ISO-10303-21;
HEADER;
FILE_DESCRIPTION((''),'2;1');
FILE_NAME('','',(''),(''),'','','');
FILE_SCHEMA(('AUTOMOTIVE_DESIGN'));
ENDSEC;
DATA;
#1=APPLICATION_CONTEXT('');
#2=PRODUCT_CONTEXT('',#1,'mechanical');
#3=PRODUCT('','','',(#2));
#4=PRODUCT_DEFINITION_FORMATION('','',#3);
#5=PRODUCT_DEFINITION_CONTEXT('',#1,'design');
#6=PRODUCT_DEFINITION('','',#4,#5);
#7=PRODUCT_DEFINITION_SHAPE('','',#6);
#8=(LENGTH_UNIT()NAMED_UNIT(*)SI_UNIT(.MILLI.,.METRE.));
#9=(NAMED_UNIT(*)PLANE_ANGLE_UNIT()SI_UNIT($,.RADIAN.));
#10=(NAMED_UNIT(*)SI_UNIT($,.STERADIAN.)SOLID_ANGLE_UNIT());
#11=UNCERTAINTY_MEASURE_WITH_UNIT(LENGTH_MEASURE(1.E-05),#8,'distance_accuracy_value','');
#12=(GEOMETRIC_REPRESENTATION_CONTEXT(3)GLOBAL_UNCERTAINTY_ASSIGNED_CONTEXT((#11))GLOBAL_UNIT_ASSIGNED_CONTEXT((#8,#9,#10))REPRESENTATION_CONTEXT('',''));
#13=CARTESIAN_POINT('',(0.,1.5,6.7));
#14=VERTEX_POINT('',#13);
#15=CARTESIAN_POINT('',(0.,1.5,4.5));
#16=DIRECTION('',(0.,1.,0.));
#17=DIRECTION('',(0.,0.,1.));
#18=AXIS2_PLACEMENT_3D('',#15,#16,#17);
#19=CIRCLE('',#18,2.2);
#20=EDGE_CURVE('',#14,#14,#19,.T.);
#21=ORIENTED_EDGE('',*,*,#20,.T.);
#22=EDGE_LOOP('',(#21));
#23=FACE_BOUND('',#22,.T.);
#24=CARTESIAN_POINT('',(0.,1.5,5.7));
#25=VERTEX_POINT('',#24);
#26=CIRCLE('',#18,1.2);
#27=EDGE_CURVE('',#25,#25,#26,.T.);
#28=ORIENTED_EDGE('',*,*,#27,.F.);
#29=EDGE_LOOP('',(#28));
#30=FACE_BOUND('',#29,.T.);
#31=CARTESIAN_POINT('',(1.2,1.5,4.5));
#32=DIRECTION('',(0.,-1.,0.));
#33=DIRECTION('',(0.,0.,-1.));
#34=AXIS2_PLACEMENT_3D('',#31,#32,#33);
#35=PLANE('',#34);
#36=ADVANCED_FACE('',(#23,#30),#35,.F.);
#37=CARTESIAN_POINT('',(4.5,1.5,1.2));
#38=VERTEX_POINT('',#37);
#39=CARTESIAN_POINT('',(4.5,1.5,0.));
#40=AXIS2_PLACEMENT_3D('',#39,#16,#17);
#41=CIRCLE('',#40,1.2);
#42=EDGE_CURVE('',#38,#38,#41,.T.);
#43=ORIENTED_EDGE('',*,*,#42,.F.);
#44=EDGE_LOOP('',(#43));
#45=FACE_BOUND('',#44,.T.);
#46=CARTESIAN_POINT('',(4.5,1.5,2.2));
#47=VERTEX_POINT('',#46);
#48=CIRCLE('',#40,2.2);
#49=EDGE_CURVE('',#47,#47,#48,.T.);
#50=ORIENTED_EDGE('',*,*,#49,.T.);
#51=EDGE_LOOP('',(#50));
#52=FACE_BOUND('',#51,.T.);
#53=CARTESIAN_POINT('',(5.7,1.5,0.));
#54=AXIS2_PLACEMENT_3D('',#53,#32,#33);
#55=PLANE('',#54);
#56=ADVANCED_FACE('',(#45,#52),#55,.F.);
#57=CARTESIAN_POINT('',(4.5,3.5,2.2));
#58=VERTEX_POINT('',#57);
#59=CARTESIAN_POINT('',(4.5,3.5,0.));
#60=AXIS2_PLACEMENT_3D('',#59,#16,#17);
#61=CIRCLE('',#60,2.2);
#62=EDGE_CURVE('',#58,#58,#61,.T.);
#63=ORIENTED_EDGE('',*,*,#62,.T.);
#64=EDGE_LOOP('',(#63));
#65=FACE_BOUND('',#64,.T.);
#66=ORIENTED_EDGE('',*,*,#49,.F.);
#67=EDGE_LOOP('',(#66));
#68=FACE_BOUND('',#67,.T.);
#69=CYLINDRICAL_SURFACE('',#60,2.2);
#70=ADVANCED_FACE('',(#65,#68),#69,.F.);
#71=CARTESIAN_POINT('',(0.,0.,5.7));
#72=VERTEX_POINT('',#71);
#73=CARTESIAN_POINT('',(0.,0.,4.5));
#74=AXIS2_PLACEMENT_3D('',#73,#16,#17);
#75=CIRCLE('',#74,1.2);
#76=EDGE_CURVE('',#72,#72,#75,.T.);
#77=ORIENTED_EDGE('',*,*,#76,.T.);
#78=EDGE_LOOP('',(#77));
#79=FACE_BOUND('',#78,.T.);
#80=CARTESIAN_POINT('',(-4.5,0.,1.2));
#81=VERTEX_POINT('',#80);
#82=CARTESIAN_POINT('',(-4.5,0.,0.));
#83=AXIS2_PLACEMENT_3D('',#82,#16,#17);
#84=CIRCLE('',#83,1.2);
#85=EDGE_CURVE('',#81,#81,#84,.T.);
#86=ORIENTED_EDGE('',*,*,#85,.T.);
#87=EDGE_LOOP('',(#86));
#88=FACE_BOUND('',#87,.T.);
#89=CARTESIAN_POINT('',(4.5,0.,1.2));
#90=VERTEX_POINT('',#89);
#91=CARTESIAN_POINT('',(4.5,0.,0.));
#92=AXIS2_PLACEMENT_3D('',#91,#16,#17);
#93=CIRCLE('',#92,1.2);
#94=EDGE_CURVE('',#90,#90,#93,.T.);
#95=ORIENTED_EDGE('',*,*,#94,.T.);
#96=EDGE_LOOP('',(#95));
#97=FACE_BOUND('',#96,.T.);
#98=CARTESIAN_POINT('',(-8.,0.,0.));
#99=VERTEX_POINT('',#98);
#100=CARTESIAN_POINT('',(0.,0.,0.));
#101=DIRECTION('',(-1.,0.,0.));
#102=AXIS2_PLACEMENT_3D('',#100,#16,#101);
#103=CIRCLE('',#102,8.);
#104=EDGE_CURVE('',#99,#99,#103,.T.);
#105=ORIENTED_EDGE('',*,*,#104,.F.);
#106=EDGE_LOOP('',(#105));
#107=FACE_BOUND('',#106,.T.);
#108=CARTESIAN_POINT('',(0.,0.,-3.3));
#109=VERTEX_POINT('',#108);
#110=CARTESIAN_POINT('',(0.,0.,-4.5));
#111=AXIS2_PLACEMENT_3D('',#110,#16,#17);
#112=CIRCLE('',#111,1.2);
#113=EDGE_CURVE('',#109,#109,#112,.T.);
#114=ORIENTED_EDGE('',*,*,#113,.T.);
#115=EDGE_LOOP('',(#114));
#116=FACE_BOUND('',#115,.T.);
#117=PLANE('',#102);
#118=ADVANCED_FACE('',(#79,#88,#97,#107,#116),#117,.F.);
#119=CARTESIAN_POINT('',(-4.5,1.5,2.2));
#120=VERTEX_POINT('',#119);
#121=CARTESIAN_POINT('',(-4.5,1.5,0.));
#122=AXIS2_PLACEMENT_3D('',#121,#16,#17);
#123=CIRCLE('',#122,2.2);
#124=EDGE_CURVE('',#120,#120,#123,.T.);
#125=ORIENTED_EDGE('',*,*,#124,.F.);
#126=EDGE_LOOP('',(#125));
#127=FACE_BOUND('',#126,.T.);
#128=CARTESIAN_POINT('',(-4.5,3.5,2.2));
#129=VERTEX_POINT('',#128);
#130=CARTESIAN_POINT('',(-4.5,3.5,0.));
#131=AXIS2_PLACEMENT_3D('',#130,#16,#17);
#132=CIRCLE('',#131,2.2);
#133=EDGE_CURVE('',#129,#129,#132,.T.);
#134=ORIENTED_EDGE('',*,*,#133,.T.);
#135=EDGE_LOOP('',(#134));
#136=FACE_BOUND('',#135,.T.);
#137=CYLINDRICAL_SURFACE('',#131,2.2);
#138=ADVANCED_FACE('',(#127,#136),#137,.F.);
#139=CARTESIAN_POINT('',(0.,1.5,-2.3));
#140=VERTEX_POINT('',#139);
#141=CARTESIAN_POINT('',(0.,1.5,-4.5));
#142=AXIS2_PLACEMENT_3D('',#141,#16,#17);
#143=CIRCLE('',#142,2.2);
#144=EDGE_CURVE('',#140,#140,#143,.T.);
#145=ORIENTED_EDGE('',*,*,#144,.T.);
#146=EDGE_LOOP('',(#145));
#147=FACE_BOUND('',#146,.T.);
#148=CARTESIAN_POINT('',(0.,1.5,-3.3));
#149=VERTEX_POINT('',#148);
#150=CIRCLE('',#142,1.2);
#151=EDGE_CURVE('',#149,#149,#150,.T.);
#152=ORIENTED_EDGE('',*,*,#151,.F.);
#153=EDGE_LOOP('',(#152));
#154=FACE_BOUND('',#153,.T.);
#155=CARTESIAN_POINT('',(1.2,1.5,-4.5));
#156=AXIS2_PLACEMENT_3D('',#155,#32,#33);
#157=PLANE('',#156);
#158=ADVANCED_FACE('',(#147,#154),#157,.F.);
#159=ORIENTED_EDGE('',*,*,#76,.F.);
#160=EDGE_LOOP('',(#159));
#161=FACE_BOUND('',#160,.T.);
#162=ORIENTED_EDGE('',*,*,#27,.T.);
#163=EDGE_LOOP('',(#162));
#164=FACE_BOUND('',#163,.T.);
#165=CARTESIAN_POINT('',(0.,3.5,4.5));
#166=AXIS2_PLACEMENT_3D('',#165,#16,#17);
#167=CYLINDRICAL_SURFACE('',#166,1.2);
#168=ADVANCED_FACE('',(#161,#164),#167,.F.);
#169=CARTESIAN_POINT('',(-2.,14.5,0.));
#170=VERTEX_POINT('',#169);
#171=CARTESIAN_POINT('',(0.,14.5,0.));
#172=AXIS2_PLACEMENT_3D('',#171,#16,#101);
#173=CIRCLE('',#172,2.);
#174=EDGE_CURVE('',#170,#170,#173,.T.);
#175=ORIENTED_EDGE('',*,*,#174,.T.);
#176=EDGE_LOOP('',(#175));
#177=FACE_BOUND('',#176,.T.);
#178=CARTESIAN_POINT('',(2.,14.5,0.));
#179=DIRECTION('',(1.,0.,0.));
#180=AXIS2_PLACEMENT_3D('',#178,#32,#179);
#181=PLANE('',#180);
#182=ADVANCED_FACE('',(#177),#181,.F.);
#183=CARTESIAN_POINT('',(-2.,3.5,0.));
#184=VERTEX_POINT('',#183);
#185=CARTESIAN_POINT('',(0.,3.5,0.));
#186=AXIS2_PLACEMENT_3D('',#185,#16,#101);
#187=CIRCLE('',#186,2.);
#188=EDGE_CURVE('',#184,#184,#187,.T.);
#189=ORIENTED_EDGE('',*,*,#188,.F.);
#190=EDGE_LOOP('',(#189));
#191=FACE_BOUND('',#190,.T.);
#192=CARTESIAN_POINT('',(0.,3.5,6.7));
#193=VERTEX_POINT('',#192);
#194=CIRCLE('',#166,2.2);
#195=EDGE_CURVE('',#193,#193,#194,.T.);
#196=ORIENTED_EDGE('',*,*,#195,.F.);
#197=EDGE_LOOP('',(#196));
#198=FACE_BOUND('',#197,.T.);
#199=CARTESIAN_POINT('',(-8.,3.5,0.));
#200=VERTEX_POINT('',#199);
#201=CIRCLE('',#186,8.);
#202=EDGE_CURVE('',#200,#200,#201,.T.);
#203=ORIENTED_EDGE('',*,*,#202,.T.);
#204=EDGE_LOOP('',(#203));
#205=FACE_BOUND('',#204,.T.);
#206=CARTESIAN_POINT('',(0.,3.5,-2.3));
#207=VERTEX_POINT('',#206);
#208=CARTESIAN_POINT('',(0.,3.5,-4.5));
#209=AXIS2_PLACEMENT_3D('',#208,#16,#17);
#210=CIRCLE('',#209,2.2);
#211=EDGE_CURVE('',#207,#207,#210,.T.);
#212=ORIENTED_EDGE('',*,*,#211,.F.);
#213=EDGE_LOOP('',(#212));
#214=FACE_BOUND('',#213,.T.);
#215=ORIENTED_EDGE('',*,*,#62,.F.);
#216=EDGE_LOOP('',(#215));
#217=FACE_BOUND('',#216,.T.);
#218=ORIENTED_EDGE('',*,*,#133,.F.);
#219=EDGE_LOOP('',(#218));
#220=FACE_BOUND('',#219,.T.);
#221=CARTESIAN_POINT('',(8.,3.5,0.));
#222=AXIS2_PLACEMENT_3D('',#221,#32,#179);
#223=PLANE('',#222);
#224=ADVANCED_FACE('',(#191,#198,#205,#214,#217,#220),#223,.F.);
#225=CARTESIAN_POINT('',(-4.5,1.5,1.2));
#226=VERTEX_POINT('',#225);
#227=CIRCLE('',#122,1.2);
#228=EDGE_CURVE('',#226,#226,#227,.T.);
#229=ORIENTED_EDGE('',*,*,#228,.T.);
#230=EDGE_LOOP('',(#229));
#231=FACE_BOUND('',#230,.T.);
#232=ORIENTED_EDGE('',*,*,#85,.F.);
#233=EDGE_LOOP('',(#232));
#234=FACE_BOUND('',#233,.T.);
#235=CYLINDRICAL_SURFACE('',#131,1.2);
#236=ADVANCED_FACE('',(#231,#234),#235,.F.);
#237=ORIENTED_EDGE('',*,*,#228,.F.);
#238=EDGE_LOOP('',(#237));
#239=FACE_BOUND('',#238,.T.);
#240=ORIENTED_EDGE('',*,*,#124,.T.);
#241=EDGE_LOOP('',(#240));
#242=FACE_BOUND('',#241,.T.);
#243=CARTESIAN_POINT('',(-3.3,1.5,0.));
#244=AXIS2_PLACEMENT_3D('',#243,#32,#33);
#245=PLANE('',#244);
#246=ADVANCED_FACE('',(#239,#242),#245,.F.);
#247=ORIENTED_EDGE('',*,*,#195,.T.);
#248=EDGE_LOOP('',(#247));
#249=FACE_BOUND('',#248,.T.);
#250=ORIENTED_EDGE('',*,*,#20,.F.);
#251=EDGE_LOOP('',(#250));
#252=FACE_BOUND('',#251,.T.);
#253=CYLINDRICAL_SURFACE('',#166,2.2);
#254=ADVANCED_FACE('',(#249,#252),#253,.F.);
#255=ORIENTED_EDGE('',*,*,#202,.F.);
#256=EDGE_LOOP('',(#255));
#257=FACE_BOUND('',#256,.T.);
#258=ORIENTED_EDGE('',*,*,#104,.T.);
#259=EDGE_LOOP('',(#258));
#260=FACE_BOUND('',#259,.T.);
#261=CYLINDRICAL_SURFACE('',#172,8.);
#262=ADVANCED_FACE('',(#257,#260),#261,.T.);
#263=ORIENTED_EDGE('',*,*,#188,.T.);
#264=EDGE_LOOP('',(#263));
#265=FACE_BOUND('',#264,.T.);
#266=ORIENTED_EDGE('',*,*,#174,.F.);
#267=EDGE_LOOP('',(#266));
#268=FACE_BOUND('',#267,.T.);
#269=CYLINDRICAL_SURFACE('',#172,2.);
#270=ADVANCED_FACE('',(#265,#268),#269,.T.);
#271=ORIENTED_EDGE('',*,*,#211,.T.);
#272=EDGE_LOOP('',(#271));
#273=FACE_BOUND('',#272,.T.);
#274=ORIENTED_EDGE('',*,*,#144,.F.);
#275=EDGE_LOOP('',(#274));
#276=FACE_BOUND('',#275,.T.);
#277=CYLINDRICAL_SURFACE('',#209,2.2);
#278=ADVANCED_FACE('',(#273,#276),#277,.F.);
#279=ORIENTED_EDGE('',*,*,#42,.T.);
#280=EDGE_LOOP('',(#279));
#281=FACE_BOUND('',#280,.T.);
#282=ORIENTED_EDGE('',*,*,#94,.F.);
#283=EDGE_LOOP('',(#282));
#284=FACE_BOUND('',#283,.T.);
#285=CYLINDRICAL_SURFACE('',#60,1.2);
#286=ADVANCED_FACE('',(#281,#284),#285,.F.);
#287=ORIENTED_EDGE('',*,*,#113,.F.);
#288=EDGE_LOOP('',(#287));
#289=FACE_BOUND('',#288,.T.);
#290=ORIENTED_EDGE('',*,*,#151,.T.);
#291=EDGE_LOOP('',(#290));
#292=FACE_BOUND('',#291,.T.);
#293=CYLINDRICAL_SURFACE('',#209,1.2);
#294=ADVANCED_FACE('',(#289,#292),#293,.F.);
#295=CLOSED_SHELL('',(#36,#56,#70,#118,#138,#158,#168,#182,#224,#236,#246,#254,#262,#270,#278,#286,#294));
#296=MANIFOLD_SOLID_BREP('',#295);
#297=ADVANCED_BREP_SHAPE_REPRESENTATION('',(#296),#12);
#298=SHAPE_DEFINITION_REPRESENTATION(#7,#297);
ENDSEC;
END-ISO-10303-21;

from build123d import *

# Parameters (mm, degrees)
CBORE_FOR_M2_SHCS2_D           = 2.4
CBORE_FOR_M2_SHCS2_CBORE_D     = 4.4
CBORE_FOR_M2_SHCS2_CBORE_DEPTH = 2


with BuildPart() as part:
    # Sketch3 → Revolve1 (revolve)
    with BuildSketch(Plane.XY):
        Polygon((0, 0), (8, 0), (8, 3.5), (2, 3.5), (2, 14.5), (0, 14.5), align=None)
    revolve(axis=Axis((0, 14.5, 0), (0, -1, 0)))

    # CBORE for M2 SHCS2 (through all)
    with Locations(Plane(origin=(0, 3.5, 0), x_dir=(1, 0, 0), z_dir=(0, 1, 0))):
        with Locations((4.5, 0), (0, -4.5), (0, 4.5), (-4.5, 0)):
            CounterBoreHole(CBORE_FOR_M2_SHCS2_D / 2, CBORE_FOR_M2_SHCS2_CBORE_D / 2, CBORE_FOR_M2_SHCS2_CBORE_DEPTH)


solid = part.part
